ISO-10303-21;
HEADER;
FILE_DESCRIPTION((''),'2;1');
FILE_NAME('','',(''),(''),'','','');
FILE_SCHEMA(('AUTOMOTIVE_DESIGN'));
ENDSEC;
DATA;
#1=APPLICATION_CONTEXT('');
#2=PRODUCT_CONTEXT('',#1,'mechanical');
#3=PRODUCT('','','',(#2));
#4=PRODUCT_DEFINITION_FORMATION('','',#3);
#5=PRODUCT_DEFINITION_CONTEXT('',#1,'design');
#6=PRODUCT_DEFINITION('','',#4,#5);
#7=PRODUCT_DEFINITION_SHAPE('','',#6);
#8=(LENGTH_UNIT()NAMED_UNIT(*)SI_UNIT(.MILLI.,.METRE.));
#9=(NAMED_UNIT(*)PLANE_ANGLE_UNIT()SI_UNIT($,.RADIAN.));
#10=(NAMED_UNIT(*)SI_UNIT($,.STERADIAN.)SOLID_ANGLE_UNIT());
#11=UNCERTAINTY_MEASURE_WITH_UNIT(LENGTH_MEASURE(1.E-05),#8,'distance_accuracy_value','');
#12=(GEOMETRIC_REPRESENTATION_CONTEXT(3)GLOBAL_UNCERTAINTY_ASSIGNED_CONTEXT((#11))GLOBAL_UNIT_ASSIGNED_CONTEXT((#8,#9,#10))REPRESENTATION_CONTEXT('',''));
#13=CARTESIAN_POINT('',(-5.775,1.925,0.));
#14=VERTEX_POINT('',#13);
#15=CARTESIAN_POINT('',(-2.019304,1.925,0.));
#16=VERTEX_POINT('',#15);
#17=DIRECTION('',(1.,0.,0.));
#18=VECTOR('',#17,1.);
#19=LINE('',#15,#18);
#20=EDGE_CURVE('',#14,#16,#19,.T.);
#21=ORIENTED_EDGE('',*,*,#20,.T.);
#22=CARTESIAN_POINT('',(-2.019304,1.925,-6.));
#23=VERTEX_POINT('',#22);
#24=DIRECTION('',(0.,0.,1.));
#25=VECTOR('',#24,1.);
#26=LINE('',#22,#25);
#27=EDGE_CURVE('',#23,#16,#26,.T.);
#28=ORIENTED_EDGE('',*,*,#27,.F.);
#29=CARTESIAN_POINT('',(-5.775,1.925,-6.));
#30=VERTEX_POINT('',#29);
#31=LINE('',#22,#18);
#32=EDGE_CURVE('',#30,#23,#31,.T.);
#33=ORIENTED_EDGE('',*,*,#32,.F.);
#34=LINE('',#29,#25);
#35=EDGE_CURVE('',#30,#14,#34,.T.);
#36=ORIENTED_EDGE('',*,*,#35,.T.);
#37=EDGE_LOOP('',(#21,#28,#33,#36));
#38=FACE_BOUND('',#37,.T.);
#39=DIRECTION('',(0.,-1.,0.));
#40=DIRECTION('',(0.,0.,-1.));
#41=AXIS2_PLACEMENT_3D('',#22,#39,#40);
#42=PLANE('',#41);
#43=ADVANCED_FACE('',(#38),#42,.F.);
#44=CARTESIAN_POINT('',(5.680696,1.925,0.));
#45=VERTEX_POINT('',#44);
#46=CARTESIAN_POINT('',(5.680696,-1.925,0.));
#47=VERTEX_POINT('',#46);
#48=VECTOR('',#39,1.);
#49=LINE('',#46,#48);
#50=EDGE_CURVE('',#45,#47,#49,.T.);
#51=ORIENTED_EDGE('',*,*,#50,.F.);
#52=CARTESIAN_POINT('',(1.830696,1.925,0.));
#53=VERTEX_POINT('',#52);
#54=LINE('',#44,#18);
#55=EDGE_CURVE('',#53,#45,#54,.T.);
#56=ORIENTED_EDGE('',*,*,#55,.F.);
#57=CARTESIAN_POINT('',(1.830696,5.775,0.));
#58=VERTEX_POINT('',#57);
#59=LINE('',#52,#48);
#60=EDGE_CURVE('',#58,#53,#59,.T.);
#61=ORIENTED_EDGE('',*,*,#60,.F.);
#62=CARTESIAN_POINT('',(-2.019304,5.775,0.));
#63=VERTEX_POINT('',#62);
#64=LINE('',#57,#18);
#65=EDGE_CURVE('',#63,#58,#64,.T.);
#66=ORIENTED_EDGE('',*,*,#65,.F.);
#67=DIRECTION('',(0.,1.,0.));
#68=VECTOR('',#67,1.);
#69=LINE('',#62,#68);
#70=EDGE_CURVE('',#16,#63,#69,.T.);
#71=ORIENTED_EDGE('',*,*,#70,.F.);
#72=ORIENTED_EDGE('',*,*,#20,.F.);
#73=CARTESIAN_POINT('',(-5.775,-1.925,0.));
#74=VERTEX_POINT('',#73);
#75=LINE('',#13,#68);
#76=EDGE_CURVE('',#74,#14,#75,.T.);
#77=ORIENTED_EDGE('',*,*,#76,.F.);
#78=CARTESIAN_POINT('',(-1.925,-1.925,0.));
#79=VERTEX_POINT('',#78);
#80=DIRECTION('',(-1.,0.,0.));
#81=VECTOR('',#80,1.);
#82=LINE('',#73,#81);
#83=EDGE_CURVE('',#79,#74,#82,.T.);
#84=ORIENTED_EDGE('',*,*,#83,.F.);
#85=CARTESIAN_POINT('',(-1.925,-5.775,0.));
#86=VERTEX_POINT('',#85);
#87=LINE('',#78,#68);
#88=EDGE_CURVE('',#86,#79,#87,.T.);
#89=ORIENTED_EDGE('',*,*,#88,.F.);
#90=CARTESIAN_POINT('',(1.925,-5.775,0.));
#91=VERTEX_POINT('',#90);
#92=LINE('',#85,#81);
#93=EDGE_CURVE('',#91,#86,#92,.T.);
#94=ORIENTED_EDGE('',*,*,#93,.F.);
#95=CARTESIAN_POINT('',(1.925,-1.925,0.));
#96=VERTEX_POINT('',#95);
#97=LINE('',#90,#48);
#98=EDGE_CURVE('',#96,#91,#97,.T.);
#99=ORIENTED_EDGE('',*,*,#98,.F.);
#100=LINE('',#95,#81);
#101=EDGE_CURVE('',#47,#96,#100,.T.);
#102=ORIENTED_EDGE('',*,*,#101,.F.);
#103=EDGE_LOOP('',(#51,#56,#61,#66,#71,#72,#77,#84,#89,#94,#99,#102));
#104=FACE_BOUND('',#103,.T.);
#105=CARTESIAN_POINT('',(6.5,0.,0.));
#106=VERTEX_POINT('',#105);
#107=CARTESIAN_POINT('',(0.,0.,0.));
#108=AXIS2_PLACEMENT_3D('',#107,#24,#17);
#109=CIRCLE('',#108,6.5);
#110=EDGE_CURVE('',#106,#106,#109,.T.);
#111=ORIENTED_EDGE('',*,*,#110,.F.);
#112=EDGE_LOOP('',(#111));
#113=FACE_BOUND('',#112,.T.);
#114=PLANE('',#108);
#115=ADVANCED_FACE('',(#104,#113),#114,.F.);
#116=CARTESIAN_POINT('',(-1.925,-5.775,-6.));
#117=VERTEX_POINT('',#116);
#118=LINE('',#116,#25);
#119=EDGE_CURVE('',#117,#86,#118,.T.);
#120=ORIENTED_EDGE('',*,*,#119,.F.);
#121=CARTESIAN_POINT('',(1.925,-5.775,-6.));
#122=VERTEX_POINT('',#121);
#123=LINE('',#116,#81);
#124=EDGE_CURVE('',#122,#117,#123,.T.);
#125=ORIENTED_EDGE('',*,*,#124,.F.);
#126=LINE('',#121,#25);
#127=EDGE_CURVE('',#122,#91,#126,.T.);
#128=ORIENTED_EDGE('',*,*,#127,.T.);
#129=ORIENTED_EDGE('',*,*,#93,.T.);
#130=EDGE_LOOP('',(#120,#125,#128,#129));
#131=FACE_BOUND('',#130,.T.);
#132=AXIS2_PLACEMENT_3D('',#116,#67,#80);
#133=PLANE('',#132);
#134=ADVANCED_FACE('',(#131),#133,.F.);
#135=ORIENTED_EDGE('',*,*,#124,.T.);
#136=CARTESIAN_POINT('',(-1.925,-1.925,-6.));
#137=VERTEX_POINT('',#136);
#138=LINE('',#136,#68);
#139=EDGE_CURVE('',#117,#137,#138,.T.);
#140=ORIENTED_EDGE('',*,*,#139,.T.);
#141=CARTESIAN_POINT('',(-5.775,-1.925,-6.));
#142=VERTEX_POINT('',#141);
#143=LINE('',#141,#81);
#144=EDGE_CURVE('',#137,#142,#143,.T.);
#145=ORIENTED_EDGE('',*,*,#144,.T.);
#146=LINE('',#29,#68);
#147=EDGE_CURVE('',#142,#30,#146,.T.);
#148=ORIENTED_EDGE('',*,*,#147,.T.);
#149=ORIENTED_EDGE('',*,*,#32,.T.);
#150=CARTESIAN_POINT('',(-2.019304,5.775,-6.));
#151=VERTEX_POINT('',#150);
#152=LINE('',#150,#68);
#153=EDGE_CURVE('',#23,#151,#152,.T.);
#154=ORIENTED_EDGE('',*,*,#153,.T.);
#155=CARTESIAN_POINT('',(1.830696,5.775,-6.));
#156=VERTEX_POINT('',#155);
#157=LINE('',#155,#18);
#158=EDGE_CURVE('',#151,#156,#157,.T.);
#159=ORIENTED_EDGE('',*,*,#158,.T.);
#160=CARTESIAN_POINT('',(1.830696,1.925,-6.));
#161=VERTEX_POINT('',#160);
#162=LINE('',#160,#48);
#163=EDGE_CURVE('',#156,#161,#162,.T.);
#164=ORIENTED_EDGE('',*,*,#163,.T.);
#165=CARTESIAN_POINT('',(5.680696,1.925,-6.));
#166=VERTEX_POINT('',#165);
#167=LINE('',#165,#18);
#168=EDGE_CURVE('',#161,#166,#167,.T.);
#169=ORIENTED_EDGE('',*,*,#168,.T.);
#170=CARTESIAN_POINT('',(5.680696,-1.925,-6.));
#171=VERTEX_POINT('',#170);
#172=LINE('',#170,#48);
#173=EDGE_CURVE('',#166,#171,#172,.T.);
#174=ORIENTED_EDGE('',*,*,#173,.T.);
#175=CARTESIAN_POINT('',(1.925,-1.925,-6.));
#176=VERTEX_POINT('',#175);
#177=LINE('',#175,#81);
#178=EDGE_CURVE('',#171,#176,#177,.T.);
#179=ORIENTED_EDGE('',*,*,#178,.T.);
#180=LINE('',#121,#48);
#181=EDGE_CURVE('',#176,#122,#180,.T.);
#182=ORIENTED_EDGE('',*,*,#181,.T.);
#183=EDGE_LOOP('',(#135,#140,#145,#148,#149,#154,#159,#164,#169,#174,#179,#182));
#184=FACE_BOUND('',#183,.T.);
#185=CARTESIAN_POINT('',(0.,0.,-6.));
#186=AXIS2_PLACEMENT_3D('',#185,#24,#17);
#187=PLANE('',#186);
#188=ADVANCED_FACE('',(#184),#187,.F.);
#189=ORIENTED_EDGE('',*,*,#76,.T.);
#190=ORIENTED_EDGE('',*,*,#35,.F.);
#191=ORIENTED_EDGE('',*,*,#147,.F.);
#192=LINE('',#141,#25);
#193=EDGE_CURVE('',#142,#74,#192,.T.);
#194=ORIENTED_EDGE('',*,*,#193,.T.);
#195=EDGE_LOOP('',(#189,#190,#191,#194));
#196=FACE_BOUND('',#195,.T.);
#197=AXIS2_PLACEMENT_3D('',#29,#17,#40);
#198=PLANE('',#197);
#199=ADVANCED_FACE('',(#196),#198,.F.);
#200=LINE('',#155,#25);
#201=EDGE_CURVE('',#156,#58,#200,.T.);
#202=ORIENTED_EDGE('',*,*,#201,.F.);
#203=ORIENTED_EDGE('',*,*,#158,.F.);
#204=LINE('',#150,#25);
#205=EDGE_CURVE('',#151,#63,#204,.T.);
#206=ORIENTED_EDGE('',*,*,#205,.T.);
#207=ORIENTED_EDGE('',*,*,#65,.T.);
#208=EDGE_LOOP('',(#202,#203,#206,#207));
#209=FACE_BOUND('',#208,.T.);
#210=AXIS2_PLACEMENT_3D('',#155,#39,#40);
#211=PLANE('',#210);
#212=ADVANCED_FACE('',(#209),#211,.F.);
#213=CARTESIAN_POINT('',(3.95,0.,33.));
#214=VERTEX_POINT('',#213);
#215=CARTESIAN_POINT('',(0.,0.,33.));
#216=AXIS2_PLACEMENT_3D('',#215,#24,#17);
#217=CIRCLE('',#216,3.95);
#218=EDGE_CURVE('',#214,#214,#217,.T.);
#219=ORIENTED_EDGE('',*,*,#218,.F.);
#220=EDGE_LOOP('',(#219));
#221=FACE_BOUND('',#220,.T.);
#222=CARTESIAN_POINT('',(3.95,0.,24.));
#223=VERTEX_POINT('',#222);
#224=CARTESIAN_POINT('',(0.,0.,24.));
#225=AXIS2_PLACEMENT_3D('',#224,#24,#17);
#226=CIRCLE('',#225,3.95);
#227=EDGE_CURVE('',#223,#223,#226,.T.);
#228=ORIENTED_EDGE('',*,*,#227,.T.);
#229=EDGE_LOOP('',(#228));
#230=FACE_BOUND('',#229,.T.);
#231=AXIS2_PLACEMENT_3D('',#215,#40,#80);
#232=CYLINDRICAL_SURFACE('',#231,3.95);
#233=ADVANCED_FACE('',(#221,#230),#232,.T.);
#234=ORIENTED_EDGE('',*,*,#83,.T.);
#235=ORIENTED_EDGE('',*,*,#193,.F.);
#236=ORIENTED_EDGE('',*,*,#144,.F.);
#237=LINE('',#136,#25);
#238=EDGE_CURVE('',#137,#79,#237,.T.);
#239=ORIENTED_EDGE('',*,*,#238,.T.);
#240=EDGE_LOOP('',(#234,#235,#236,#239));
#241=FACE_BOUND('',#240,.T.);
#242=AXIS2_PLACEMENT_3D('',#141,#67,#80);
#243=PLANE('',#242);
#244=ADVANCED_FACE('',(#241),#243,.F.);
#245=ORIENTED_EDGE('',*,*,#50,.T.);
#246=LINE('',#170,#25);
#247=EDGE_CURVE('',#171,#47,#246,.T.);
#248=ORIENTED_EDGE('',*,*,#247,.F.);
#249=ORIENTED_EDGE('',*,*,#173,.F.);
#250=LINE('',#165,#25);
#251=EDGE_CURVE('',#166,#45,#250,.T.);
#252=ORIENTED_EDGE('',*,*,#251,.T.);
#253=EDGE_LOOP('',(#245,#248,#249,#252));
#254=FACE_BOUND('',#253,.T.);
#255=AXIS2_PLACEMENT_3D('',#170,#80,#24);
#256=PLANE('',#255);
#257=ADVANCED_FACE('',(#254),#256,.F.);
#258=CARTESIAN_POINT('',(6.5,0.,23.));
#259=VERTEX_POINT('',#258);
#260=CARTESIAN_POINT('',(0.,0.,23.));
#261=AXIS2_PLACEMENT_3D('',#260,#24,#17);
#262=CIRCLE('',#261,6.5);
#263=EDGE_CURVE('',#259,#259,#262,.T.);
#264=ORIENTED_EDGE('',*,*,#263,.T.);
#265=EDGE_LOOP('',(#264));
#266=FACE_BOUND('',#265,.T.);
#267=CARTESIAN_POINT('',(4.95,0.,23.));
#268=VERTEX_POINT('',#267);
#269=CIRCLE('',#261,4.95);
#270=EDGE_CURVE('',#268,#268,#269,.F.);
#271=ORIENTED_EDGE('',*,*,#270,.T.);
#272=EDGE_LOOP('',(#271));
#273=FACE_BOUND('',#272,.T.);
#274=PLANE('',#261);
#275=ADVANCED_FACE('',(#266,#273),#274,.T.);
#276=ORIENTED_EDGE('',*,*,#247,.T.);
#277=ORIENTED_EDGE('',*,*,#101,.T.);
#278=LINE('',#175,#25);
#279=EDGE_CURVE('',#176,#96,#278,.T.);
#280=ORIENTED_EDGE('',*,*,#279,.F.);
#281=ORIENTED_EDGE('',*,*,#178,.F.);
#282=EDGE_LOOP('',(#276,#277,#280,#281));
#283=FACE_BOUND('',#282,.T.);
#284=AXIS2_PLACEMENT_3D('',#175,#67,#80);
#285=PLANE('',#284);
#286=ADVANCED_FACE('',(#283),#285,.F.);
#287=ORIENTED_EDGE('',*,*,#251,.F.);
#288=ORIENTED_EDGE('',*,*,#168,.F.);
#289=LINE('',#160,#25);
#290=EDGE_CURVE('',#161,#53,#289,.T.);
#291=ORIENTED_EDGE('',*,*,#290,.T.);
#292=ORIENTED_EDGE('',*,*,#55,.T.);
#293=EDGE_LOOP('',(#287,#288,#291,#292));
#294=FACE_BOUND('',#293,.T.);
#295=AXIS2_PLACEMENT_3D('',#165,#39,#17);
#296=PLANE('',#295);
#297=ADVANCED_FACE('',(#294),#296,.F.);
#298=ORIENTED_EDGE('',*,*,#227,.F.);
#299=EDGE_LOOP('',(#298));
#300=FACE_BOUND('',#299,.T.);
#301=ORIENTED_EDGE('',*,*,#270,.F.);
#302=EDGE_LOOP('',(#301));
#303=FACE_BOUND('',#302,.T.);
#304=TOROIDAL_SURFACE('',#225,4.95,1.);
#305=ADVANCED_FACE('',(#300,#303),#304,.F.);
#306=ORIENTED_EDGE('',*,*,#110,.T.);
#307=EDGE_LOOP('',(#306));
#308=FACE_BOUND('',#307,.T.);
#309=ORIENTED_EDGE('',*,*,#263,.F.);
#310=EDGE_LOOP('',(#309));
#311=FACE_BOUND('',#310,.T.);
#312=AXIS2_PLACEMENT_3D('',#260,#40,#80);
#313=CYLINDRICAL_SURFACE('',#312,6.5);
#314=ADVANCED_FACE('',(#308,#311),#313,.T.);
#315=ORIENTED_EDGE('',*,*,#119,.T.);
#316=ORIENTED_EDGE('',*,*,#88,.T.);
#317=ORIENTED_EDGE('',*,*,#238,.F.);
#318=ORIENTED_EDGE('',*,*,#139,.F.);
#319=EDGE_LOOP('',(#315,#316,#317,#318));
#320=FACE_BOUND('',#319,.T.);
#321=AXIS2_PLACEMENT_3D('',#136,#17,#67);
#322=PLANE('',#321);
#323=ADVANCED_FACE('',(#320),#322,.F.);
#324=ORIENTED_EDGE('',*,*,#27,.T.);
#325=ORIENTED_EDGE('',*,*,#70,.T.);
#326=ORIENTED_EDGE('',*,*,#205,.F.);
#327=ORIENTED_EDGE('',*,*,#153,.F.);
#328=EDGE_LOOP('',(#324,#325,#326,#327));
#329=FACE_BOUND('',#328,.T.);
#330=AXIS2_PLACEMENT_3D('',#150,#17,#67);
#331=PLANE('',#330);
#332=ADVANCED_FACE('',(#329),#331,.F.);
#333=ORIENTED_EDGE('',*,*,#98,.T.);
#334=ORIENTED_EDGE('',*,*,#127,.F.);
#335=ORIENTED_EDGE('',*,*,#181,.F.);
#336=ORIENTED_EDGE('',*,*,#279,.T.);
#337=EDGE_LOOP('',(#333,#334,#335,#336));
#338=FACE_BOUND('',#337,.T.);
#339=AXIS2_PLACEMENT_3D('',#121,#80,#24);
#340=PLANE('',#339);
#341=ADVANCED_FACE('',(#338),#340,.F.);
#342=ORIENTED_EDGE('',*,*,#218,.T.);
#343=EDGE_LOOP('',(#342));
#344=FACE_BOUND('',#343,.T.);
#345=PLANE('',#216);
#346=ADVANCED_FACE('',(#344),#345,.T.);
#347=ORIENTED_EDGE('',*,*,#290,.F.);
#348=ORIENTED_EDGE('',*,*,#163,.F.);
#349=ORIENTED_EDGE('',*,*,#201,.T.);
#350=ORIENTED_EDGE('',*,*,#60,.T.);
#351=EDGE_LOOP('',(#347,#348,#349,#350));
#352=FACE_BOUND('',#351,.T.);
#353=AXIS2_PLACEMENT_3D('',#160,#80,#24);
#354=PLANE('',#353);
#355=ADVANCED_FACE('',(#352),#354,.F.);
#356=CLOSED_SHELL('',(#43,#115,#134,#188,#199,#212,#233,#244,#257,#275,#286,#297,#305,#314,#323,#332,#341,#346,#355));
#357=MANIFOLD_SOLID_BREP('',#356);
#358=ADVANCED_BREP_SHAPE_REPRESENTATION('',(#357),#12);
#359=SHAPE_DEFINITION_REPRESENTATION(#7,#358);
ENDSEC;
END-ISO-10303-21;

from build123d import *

# Parameters (mm, degrees)
CROQUIS1_R              = 6.5
SALIENTE_EXTRUIR1_DEPTH = 23
CROQUIS2_R              = 3.95
SALIENTE_EXTRUIR2_DEPTH = 10
REDONDEO1_R             = 1
SALIENTE_EXTRUIR3_DEPTH = 6


with BuildPart() as part:
    # Croquis1 → Saliente-Extruir1 (new body)
    with BuildSketch(Plane.XY):
        Circle(CROQUIS1_R)
    extrude(amount=SALIENTE_EXTRUIR1_DEPTH)

    # Croquis2 → Saliente-Extruir2 (add)
    with BuildSketch(Plane.XY.offset(23)):
        Circle(CROQUIS2_R)
    extrude(amount=SALIENTE_EXTRUIR2_DEPTH)

    # Redondeo1
    redondeo1_edges = [part.edges().sort_by_distance(p)[0] for p in [
        (-3.95, 0, 23),
    ]]
    fillet(redondeo1_edges, radius=REDONDEO1_R)

    # Croquis3 → Saliente-Extruir3 (add)
    with BuildSketch(Plane(origin=(0, 0, 0), x_dir=(-1, 0, 0), z_dir=(0, 0, -1))):
        Polygon((-1.830695776, 5.775), (2.019304224, 5.775), (2.019304224, 1.925), (5.775, 1.925), (5.775, -1.925), (1.925, -1.925), (1.925, -5.775), (-1.925, -5.775), (-1.925, -1.925), (-5.680695776, -1.925), (-5.680695776, 1.925), (-1.830695776, 1.925), align=None)
    extrude(amount=SALIENTE_EXTRUIR3_DEPTH)


solid = part.part
